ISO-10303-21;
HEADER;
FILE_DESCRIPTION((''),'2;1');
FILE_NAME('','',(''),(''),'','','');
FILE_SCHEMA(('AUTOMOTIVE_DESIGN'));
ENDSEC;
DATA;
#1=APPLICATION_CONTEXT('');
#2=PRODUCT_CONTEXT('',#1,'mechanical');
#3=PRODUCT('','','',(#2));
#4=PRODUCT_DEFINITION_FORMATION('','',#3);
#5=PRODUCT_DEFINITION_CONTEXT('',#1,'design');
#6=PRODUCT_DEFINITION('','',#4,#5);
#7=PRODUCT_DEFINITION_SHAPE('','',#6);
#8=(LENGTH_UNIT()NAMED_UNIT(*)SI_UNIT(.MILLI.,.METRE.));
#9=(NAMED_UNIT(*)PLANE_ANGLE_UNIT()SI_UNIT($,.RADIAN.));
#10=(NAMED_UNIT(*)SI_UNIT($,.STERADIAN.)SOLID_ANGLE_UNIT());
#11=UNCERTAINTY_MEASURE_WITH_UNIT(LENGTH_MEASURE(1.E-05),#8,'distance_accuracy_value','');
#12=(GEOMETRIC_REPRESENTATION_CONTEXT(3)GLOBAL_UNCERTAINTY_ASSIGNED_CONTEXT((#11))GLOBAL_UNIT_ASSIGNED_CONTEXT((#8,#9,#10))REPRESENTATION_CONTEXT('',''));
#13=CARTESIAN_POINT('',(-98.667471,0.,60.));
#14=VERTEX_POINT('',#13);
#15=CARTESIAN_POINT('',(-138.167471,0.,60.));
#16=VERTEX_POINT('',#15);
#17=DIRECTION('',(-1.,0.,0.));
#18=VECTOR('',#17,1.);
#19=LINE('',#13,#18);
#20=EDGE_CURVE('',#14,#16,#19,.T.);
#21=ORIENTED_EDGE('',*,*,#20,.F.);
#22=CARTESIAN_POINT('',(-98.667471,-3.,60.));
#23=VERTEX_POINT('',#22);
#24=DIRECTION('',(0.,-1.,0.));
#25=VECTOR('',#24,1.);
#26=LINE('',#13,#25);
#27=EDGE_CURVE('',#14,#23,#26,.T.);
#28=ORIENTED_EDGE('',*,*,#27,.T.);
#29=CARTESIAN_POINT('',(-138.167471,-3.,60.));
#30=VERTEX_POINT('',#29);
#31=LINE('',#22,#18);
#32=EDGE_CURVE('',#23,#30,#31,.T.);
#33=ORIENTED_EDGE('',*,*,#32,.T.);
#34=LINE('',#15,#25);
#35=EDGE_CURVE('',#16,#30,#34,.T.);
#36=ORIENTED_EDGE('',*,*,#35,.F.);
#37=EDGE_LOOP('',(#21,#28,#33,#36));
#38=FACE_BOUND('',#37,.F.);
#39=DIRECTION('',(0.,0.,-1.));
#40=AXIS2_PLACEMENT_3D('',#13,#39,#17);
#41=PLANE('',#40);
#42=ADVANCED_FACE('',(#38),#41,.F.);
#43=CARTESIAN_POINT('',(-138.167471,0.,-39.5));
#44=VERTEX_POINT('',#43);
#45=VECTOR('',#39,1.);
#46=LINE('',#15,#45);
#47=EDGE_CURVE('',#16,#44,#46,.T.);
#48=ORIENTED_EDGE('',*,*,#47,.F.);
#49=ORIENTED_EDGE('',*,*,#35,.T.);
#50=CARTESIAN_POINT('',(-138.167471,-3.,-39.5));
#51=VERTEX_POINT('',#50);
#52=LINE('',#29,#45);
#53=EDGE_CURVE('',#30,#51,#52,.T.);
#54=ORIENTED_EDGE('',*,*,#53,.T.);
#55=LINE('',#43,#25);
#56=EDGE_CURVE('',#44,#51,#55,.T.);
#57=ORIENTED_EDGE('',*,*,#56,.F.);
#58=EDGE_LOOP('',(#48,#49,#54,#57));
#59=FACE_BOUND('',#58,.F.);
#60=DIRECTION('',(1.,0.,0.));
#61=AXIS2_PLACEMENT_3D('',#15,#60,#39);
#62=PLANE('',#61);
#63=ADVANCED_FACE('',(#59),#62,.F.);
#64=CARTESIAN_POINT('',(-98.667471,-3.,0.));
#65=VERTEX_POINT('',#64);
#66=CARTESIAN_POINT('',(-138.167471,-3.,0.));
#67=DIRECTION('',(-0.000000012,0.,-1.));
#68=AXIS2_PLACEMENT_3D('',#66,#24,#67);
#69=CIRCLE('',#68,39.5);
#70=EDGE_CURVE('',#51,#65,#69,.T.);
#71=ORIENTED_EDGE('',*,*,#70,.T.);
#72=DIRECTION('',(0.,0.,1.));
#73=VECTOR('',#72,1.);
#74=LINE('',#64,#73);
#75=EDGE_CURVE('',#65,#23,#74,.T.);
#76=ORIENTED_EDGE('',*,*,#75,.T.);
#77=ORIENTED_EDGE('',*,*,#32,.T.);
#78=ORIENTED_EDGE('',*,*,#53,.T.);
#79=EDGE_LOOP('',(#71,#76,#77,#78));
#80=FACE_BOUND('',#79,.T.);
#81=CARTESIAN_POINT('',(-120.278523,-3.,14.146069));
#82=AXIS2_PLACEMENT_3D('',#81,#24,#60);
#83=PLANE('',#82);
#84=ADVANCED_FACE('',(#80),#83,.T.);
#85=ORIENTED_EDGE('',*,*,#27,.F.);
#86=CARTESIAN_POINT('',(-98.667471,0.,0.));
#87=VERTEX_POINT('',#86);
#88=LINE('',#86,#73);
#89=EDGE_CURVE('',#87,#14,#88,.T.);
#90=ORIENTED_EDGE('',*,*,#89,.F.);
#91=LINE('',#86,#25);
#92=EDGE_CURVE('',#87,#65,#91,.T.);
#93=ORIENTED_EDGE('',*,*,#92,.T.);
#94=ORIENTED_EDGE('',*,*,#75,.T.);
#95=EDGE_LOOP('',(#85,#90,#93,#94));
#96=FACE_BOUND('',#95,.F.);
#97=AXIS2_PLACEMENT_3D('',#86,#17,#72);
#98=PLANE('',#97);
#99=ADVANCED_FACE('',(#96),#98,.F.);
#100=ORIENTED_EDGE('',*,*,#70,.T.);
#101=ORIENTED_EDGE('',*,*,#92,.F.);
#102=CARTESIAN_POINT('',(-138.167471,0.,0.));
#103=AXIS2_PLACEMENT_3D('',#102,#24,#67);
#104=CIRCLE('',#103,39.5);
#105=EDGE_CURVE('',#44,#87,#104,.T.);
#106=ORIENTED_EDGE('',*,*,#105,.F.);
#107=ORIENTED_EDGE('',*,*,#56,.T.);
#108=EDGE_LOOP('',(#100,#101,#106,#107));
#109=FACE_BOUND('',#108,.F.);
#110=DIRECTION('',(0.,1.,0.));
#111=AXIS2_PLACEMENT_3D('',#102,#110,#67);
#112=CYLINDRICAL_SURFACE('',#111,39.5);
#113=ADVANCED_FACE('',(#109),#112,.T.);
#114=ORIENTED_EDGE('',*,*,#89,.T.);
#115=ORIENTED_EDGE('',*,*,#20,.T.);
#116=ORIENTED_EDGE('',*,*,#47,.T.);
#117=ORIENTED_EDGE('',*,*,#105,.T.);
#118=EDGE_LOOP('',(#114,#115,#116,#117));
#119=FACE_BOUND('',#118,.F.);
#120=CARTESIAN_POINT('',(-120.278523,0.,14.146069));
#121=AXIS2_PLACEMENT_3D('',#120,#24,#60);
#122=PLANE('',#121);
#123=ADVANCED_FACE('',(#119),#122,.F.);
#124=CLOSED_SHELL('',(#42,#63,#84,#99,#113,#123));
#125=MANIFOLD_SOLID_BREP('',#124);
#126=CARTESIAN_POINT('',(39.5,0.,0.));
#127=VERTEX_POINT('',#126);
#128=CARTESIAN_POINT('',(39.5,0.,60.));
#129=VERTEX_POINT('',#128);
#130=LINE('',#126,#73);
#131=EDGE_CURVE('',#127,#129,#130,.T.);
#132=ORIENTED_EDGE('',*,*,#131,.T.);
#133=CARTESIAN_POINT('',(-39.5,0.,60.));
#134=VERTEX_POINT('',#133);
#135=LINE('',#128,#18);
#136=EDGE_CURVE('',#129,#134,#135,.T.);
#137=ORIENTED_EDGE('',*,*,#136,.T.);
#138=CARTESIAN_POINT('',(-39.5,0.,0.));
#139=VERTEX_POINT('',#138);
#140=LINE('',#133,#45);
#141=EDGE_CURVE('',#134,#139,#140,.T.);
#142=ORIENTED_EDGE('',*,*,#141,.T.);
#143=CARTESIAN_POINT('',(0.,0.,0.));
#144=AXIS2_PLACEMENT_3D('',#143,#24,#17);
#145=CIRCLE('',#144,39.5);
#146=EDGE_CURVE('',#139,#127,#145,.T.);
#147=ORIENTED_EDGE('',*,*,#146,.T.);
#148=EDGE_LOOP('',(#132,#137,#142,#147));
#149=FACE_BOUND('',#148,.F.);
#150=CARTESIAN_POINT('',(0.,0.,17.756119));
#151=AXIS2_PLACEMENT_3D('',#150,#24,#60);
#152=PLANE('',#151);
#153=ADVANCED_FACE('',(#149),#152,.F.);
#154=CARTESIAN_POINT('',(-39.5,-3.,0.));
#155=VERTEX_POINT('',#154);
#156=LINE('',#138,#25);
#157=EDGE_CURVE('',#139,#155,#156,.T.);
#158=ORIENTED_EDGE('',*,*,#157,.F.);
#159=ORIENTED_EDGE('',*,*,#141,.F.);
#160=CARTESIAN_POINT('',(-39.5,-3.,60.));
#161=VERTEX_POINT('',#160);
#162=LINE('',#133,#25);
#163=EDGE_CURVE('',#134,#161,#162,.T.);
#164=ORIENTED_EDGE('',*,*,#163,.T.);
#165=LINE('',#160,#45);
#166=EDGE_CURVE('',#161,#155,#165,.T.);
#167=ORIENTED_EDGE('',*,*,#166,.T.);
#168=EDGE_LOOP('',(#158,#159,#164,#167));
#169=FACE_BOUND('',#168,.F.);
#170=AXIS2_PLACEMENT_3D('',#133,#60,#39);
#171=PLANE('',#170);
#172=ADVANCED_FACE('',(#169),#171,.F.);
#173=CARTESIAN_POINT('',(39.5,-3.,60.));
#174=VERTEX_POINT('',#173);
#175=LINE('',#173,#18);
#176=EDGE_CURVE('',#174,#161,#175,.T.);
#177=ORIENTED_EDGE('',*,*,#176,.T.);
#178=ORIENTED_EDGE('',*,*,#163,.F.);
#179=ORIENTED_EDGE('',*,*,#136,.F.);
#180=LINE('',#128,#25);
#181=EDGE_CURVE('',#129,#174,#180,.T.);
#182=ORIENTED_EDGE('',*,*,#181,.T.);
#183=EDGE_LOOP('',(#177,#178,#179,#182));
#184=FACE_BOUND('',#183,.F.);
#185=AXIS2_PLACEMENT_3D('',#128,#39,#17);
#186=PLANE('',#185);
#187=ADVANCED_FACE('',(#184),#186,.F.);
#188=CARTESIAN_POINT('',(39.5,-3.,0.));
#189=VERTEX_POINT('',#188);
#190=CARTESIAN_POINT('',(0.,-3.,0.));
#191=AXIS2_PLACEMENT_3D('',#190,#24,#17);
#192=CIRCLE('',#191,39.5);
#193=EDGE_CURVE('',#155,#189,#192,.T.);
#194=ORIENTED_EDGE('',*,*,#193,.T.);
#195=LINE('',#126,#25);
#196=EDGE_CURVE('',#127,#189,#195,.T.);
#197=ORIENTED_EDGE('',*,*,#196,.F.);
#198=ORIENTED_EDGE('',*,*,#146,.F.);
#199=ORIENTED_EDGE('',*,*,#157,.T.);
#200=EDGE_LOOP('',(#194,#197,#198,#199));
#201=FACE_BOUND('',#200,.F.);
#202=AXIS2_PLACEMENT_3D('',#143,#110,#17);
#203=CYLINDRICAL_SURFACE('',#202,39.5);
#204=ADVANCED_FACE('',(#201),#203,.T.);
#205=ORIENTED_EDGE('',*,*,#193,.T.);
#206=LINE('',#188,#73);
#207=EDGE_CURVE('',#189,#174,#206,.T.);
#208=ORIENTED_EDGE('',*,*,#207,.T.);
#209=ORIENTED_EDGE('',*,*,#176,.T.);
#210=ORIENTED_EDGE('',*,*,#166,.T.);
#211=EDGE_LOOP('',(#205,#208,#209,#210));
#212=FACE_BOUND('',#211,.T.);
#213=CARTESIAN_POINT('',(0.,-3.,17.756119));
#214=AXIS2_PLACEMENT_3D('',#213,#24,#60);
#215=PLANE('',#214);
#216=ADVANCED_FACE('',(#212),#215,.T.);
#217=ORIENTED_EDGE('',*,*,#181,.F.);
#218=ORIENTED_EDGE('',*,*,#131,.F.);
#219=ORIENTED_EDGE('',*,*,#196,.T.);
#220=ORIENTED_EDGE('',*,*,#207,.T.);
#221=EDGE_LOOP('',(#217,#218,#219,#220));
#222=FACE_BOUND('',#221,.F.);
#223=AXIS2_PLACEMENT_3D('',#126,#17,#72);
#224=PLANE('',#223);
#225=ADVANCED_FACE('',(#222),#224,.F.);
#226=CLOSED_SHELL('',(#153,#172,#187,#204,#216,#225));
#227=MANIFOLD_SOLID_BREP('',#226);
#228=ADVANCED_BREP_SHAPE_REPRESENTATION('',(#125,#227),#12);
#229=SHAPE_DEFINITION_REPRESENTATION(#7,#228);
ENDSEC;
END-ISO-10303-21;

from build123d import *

# Parameters (mm, degrees)
F1_DEPTH = 3
F2_DEPTH = 3


with BuildPart() as f1:
    # F0 (on Front) → F1 (new body)
    with BuildSketch(Plane.XZ):
        with BuildLine():
            Line((-39.5, 60), (-39.5, 0))
            ThreePointArc((-39.5, 0), (0, -39.5), (39.5, 0))
            Line((39.5, 0), (39.5, 60))
            Line((39.5, 60), (-39.5, 60))
        make_face()
    extrude(amount=F1_DEPTH)

    # F0 (on Front) → F2 (join)
    with BuildSketch(Plane.XZ):
        with BuildLine():
            Line((-39.5, 60), (-39.5, 0))
            ThreePointArc((-39.5, 0), (0, -39.5), (39.5, 0))
            Line((39.5, 0), (39.5, 60))
            Line((39.5, 60), (-39.5, 60))
        make_face()
        with BuildLine():
            Line((-138.167471, 0), (-138.167471, -39.5))
            ThreePointArc((-138.167471, -39.5), (-110.236753, -27.930718), (-98.667471, 0))
            Line((-98.667471, 0), (-98.667471, 60))
            Line((-98.667471, 60), (-138.167471, 60))
            Line((-138.167471, 60), (-138.167471, 0))
        make_face()
    extrude(amount=F2_DEPTH)


solid = f1.part
